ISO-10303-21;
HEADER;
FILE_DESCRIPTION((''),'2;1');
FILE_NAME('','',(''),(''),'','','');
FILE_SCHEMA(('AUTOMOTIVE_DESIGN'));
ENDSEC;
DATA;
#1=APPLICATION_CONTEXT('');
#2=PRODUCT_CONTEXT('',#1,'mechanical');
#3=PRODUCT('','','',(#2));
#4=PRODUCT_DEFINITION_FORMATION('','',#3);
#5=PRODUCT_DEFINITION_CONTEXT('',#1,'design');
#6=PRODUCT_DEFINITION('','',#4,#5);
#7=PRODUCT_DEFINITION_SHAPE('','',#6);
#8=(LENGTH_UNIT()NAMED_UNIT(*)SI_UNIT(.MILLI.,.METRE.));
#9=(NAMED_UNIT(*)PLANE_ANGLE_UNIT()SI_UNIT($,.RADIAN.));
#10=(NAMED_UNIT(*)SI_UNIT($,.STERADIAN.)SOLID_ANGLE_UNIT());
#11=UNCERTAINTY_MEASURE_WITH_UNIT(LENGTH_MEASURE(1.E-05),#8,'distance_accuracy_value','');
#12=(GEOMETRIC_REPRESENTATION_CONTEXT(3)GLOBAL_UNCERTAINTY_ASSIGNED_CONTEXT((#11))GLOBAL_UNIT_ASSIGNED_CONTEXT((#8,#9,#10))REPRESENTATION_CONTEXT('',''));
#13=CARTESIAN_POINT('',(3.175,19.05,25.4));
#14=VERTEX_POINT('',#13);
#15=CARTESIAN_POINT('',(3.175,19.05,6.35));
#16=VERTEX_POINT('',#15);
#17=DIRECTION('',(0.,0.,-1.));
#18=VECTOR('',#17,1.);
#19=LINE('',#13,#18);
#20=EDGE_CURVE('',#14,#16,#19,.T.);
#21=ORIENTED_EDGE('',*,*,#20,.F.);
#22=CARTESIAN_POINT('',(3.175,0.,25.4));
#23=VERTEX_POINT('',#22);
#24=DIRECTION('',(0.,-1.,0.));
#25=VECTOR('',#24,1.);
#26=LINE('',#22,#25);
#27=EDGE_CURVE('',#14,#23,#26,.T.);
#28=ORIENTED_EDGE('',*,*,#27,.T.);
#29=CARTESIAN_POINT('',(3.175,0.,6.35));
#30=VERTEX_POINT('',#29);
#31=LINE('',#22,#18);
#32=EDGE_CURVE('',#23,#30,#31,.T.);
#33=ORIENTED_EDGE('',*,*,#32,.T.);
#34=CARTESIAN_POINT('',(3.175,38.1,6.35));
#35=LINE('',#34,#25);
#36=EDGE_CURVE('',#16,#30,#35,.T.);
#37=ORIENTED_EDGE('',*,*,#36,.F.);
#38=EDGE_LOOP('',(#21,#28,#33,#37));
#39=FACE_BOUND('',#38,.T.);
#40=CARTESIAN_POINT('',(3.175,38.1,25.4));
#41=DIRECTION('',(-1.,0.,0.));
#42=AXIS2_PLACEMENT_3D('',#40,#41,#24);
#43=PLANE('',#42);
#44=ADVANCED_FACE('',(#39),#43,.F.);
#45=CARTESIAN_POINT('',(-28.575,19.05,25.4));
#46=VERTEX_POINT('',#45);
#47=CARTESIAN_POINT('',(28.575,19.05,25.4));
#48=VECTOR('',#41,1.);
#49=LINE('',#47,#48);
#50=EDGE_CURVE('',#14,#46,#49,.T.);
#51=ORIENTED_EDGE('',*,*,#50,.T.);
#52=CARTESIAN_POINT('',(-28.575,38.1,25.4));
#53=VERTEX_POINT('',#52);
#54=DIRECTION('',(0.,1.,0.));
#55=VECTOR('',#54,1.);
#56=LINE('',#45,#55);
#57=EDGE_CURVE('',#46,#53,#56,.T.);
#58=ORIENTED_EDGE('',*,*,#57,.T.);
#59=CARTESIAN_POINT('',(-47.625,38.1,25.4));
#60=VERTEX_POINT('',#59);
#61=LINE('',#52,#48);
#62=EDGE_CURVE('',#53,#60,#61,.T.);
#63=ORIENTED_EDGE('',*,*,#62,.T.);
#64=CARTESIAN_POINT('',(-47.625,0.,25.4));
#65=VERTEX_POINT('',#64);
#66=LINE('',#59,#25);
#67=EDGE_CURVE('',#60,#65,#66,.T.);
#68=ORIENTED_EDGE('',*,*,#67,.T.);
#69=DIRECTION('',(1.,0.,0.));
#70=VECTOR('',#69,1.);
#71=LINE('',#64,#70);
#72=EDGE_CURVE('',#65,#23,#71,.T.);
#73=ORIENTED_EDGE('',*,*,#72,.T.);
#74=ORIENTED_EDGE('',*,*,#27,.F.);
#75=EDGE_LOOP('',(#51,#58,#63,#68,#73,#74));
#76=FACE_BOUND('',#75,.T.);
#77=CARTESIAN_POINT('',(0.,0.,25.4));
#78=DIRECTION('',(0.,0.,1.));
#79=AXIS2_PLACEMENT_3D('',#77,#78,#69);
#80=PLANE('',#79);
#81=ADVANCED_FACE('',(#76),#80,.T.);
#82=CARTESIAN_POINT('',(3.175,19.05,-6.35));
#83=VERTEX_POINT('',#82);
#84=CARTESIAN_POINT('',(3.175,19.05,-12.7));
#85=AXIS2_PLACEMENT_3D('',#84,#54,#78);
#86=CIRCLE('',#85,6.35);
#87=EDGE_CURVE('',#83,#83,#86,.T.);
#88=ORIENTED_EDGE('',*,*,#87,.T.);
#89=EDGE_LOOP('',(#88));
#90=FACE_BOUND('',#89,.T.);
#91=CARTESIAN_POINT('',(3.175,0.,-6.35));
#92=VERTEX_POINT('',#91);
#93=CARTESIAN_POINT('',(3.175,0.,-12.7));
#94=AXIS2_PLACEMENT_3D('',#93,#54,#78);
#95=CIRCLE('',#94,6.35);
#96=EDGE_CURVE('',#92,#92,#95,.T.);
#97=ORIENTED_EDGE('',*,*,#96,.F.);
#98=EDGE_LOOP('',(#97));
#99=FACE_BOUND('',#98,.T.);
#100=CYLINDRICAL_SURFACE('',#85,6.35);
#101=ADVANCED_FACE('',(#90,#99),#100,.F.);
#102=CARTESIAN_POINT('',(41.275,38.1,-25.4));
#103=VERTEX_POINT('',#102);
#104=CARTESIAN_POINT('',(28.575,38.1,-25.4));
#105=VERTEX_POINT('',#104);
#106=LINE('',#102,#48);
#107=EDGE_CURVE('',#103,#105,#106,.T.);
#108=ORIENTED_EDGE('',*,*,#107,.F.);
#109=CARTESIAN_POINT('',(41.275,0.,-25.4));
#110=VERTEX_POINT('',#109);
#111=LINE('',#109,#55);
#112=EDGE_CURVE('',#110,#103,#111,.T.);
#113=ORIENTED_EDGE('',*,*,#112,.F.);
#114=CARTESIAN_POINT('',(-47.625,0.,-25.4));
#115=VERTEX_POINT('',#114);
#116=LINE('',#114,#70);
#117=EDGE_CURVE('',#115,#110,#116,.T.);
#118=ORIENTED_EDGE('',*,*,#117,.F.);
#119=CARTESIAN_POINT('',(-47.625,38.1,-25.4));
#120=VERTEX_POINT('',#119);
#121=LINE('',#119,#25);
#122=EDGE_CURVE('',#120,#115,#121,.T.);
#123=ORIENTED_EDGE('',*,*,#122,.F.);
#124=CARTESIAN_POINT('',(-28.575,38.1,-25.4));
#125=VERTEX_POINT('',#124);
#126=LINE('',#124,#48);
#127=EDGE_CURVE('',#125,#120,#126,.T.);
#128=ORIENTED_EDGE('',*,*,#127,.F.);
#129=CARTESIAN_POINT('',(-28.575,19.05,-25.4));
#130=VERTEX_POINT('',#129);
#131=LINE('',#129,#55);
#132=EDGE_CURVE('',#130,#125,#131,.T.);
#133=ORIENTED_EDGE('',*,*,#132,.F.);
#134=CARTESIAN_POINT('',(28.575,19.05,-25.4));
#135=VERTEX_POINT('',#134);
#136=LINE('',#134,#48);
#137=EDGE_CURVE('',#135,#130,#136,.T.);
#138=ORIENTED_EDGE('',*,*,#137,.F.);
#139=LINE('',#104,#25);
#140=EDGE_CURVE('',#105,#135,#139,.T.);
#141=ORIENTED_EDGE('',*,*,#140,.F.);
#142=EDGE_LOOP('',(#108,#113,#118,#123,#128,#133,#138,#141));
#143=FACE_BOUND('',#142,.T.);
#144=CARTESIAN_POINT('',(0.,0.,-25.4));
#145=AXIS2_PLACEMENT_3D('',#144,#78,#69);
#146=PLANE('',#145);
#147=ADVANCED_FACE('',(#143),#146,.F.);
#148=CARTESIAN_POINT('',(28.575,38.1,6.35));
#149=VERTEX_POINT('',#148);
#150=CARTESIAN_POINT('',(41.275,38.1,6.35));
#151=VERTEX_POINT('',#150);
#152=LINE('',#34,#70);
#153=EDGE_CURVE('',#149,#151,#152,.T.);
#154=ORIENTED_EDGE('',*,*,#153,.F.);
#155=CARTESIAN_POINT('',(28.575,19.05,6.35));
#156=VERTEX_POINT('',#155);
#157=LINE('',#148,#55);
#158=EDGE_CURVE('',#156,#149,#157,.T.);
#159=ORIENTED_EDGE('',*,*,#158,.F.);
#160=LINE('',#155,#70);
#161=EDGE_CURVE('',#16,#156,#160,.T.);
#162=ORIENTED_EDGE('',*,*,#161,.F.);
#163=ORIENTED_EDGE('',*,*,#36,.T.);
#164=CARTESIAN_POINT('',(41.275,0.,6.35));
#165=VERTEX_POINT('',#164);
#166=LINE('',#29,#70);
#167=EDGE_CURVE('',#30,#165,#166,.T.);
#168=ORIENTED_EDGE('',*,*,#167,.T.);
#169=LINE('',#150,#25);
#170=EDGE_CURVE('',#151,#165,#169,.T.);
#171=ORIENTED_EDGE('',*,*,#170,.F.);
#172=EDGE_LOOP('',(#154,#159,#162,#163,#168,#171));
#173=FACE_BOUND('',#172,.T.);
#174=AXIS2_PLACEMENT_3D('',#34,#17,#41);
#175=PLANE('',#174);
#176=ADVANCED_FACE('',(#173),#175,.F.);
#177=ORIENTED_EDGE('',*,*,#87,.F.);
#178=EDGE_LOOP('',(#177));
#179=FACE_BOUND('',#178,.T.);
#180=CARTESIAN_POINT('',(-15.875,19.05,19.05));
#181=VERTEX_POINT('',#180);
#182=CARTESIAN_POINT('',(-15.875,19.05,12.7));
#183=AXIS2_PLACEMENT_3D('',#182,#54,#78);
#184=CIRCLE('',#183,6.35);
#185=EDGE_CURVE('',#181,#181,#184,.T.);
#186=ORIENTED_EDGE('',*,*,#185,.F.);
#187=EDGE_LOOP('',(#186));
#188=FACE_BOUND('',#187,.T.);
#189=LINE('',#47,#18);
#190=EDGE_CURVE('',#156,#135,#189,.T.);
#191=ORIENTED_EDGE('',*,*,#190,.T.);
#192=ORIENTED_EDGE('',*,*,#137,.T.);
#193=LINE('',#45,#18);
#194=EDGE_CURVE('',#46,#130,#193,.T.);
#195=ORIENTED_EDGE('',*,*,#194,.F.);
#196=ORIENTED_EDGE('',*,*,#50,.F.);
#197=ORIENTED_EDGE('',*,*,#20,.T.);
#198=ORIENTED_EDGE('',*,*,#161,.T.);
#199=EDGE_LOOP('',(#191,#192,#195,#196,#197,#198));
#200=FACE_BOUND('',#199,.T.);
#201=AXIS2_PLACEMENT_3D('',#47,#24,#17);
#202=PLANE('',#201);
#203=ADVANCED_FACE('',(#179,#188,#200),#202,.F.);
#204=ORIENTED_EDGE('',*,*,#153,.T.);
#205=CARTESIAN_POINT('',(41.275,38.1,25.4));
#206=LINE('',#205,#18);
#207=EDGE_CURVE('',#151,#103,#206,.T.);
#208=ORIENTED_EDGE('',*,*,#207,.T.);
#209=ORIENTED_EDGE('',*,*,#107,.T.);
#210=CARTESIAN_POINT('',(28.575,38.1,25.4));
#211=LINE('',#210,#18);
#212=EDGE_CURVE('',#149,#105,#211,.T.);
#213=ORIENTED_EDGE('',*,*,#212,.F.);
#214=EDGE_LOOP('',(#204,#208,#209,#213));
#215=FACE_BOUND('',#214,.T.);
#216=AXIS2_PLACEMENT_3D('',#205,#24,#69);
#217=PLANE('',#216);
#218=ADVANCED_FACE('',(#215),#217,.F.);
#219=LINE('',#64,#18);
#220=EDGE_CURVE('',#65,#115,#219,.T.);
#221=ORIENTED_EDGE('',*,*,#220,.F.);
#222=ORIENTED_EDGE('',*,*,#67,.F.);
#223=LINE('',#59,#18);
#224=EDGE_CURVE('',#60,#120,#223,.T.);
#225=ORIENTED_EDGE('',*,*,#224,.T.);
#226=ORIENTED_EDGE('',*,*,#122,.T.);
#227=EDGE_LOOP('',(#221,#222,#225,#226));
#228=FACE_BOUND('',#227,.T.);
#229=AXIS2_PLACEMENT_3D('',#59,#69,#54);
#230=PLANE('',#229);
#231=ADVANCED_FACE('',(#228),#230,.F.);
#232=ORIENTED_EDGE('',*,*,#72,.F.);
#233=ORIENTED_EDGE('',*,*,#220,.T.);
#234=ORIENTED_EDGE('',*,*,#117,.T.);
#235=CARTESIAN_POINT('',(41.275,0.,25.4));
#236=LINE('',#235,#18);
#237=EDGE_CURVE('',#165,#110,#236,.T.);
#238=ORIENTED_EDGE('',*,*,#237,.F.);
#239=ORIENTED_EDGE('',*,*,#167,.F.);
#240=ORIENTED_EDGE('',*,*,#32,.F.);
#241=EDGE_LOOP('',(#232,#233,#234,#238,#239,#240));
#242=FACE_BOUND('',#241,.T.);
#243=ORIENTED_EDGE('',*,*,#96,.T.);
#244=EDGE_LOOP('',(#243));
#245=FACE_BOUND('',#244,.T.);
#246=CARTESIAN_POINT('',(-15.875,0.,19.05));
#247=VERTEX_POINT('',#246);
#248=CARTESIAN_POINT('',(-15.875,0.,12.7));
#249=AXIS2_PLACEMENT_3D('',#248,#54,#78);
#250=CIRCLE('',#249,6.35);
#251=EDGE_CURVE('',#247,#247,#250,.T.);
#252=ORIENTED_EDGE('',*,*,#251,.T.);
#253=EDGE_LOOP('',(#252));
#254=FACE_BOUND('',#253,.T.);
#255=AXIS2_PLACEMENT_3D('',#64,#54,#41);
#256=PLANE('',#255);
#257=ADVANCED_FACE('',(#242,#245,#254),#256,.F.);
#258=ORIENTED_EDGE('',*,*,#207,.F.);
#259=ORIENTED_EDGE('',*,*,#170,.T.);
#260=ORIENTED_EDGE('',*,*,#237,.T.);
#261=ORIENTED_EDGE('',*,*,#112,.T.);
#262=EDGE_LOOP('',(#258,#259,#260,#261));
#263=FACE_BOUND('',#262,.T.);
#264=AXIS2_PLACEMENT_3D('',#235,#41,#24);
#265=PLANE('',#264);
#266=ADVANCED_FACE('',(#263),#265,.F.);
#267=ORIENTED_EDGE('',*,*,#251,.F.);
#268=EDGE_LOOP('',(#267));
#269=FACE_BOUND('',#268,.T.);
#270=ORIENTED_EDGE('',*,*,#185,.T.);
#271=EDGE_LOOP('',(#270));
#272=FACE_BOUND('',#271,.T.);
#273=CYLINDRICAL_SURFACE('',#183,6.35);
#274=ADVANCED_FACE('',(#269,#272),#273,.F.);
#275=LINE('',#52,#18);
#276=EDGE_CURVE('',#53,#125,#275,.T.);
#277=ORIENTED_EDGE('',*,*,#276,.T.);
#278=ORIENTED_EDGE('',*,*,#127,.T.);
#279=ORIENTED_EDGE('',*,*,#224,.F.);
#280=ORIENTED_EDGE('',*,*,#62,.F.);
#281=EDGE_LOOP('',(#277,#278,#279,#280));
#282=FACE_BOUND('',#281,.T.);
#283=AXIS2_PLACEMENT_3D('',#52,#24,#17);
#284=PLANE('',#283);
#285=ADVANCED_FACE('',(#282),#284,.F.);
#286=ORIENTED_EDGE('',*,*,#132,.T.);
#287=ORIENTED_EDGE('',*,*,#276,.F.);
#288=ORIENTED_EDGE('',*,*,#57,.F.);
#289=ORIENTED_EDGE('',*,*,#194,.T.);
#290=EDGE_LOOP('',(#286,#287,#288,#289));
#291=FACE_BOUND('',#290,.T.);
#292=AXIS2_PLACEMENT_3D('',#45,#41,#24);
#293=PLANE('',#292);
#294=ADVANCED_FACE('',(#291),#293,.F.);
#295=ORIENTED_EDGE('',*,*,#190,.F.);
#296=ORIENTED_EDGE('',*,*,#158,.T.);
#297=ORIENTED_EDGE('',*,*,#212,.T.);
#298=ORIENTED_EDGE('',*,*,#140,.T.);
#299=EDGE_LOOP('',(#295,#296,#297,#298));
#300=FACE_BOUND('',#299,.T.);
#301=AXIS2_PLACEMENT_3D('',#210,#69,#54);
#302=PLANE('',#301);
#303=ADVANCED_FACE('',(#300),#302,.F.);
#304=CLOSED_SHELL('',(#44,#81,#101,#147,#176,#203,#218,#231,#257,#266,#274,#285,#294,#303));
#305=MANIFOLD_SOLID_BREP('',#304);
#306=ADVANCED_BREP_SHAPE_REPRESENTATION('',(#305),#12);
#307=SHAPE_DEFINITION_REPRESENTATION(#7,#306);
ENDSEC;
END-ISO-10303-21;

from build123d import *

# Parameters (mm, degrees)
BASE_FEATURE_DEPTH         = 25.4
SKETCH2_W                  = 38.1
SKETCH2_H                  = 19.05
ALTITUDUAL_CUT_DEPTH       = 67.067470248
F_1_2_0_5_DIAMETER_HOLES_D = 12.7


with BuildPart() as part:
    # Sketch1 → Base Feature (new, symmetric)
    with BuildSketch(Plane.XY):
        Polygon((-47.625, 0), (41.275, 0), (41.275, 38.1), (28.575, 38.1), (28.575, 19.05), (-28.575, 19.05), (-28.575, 38.1), (-47.625, 38.1), align=None)
    extrude(amount=BASE_FEATURE_DEPTH, both=True)

    # Sketch2 → Altitudual Cut (cut, through all)
    with BuildSketch(Plane.XZ):
        with Locations((22.225, 15.875)):
            Rectangle(SKETCH2_W, SKETCH2_H)
    extrude(amount=-ALTITUDUAL_CUT_DEPTH, mode=Mode.SUBTRACT)

    # 1/2 (0.5) Diameter Holes (through all)
    with Locations(Plane(origin=(0, 19.05, 0), x_dir=(1, 0, 0), z_dir=(0, 1, 0))):
        with Locations((-15.875, -12.7), (3.175, 12.7)):
            Hole(F_1_2_0_5_DIAMETER_HOLES_D / 2)


solid = part.part
